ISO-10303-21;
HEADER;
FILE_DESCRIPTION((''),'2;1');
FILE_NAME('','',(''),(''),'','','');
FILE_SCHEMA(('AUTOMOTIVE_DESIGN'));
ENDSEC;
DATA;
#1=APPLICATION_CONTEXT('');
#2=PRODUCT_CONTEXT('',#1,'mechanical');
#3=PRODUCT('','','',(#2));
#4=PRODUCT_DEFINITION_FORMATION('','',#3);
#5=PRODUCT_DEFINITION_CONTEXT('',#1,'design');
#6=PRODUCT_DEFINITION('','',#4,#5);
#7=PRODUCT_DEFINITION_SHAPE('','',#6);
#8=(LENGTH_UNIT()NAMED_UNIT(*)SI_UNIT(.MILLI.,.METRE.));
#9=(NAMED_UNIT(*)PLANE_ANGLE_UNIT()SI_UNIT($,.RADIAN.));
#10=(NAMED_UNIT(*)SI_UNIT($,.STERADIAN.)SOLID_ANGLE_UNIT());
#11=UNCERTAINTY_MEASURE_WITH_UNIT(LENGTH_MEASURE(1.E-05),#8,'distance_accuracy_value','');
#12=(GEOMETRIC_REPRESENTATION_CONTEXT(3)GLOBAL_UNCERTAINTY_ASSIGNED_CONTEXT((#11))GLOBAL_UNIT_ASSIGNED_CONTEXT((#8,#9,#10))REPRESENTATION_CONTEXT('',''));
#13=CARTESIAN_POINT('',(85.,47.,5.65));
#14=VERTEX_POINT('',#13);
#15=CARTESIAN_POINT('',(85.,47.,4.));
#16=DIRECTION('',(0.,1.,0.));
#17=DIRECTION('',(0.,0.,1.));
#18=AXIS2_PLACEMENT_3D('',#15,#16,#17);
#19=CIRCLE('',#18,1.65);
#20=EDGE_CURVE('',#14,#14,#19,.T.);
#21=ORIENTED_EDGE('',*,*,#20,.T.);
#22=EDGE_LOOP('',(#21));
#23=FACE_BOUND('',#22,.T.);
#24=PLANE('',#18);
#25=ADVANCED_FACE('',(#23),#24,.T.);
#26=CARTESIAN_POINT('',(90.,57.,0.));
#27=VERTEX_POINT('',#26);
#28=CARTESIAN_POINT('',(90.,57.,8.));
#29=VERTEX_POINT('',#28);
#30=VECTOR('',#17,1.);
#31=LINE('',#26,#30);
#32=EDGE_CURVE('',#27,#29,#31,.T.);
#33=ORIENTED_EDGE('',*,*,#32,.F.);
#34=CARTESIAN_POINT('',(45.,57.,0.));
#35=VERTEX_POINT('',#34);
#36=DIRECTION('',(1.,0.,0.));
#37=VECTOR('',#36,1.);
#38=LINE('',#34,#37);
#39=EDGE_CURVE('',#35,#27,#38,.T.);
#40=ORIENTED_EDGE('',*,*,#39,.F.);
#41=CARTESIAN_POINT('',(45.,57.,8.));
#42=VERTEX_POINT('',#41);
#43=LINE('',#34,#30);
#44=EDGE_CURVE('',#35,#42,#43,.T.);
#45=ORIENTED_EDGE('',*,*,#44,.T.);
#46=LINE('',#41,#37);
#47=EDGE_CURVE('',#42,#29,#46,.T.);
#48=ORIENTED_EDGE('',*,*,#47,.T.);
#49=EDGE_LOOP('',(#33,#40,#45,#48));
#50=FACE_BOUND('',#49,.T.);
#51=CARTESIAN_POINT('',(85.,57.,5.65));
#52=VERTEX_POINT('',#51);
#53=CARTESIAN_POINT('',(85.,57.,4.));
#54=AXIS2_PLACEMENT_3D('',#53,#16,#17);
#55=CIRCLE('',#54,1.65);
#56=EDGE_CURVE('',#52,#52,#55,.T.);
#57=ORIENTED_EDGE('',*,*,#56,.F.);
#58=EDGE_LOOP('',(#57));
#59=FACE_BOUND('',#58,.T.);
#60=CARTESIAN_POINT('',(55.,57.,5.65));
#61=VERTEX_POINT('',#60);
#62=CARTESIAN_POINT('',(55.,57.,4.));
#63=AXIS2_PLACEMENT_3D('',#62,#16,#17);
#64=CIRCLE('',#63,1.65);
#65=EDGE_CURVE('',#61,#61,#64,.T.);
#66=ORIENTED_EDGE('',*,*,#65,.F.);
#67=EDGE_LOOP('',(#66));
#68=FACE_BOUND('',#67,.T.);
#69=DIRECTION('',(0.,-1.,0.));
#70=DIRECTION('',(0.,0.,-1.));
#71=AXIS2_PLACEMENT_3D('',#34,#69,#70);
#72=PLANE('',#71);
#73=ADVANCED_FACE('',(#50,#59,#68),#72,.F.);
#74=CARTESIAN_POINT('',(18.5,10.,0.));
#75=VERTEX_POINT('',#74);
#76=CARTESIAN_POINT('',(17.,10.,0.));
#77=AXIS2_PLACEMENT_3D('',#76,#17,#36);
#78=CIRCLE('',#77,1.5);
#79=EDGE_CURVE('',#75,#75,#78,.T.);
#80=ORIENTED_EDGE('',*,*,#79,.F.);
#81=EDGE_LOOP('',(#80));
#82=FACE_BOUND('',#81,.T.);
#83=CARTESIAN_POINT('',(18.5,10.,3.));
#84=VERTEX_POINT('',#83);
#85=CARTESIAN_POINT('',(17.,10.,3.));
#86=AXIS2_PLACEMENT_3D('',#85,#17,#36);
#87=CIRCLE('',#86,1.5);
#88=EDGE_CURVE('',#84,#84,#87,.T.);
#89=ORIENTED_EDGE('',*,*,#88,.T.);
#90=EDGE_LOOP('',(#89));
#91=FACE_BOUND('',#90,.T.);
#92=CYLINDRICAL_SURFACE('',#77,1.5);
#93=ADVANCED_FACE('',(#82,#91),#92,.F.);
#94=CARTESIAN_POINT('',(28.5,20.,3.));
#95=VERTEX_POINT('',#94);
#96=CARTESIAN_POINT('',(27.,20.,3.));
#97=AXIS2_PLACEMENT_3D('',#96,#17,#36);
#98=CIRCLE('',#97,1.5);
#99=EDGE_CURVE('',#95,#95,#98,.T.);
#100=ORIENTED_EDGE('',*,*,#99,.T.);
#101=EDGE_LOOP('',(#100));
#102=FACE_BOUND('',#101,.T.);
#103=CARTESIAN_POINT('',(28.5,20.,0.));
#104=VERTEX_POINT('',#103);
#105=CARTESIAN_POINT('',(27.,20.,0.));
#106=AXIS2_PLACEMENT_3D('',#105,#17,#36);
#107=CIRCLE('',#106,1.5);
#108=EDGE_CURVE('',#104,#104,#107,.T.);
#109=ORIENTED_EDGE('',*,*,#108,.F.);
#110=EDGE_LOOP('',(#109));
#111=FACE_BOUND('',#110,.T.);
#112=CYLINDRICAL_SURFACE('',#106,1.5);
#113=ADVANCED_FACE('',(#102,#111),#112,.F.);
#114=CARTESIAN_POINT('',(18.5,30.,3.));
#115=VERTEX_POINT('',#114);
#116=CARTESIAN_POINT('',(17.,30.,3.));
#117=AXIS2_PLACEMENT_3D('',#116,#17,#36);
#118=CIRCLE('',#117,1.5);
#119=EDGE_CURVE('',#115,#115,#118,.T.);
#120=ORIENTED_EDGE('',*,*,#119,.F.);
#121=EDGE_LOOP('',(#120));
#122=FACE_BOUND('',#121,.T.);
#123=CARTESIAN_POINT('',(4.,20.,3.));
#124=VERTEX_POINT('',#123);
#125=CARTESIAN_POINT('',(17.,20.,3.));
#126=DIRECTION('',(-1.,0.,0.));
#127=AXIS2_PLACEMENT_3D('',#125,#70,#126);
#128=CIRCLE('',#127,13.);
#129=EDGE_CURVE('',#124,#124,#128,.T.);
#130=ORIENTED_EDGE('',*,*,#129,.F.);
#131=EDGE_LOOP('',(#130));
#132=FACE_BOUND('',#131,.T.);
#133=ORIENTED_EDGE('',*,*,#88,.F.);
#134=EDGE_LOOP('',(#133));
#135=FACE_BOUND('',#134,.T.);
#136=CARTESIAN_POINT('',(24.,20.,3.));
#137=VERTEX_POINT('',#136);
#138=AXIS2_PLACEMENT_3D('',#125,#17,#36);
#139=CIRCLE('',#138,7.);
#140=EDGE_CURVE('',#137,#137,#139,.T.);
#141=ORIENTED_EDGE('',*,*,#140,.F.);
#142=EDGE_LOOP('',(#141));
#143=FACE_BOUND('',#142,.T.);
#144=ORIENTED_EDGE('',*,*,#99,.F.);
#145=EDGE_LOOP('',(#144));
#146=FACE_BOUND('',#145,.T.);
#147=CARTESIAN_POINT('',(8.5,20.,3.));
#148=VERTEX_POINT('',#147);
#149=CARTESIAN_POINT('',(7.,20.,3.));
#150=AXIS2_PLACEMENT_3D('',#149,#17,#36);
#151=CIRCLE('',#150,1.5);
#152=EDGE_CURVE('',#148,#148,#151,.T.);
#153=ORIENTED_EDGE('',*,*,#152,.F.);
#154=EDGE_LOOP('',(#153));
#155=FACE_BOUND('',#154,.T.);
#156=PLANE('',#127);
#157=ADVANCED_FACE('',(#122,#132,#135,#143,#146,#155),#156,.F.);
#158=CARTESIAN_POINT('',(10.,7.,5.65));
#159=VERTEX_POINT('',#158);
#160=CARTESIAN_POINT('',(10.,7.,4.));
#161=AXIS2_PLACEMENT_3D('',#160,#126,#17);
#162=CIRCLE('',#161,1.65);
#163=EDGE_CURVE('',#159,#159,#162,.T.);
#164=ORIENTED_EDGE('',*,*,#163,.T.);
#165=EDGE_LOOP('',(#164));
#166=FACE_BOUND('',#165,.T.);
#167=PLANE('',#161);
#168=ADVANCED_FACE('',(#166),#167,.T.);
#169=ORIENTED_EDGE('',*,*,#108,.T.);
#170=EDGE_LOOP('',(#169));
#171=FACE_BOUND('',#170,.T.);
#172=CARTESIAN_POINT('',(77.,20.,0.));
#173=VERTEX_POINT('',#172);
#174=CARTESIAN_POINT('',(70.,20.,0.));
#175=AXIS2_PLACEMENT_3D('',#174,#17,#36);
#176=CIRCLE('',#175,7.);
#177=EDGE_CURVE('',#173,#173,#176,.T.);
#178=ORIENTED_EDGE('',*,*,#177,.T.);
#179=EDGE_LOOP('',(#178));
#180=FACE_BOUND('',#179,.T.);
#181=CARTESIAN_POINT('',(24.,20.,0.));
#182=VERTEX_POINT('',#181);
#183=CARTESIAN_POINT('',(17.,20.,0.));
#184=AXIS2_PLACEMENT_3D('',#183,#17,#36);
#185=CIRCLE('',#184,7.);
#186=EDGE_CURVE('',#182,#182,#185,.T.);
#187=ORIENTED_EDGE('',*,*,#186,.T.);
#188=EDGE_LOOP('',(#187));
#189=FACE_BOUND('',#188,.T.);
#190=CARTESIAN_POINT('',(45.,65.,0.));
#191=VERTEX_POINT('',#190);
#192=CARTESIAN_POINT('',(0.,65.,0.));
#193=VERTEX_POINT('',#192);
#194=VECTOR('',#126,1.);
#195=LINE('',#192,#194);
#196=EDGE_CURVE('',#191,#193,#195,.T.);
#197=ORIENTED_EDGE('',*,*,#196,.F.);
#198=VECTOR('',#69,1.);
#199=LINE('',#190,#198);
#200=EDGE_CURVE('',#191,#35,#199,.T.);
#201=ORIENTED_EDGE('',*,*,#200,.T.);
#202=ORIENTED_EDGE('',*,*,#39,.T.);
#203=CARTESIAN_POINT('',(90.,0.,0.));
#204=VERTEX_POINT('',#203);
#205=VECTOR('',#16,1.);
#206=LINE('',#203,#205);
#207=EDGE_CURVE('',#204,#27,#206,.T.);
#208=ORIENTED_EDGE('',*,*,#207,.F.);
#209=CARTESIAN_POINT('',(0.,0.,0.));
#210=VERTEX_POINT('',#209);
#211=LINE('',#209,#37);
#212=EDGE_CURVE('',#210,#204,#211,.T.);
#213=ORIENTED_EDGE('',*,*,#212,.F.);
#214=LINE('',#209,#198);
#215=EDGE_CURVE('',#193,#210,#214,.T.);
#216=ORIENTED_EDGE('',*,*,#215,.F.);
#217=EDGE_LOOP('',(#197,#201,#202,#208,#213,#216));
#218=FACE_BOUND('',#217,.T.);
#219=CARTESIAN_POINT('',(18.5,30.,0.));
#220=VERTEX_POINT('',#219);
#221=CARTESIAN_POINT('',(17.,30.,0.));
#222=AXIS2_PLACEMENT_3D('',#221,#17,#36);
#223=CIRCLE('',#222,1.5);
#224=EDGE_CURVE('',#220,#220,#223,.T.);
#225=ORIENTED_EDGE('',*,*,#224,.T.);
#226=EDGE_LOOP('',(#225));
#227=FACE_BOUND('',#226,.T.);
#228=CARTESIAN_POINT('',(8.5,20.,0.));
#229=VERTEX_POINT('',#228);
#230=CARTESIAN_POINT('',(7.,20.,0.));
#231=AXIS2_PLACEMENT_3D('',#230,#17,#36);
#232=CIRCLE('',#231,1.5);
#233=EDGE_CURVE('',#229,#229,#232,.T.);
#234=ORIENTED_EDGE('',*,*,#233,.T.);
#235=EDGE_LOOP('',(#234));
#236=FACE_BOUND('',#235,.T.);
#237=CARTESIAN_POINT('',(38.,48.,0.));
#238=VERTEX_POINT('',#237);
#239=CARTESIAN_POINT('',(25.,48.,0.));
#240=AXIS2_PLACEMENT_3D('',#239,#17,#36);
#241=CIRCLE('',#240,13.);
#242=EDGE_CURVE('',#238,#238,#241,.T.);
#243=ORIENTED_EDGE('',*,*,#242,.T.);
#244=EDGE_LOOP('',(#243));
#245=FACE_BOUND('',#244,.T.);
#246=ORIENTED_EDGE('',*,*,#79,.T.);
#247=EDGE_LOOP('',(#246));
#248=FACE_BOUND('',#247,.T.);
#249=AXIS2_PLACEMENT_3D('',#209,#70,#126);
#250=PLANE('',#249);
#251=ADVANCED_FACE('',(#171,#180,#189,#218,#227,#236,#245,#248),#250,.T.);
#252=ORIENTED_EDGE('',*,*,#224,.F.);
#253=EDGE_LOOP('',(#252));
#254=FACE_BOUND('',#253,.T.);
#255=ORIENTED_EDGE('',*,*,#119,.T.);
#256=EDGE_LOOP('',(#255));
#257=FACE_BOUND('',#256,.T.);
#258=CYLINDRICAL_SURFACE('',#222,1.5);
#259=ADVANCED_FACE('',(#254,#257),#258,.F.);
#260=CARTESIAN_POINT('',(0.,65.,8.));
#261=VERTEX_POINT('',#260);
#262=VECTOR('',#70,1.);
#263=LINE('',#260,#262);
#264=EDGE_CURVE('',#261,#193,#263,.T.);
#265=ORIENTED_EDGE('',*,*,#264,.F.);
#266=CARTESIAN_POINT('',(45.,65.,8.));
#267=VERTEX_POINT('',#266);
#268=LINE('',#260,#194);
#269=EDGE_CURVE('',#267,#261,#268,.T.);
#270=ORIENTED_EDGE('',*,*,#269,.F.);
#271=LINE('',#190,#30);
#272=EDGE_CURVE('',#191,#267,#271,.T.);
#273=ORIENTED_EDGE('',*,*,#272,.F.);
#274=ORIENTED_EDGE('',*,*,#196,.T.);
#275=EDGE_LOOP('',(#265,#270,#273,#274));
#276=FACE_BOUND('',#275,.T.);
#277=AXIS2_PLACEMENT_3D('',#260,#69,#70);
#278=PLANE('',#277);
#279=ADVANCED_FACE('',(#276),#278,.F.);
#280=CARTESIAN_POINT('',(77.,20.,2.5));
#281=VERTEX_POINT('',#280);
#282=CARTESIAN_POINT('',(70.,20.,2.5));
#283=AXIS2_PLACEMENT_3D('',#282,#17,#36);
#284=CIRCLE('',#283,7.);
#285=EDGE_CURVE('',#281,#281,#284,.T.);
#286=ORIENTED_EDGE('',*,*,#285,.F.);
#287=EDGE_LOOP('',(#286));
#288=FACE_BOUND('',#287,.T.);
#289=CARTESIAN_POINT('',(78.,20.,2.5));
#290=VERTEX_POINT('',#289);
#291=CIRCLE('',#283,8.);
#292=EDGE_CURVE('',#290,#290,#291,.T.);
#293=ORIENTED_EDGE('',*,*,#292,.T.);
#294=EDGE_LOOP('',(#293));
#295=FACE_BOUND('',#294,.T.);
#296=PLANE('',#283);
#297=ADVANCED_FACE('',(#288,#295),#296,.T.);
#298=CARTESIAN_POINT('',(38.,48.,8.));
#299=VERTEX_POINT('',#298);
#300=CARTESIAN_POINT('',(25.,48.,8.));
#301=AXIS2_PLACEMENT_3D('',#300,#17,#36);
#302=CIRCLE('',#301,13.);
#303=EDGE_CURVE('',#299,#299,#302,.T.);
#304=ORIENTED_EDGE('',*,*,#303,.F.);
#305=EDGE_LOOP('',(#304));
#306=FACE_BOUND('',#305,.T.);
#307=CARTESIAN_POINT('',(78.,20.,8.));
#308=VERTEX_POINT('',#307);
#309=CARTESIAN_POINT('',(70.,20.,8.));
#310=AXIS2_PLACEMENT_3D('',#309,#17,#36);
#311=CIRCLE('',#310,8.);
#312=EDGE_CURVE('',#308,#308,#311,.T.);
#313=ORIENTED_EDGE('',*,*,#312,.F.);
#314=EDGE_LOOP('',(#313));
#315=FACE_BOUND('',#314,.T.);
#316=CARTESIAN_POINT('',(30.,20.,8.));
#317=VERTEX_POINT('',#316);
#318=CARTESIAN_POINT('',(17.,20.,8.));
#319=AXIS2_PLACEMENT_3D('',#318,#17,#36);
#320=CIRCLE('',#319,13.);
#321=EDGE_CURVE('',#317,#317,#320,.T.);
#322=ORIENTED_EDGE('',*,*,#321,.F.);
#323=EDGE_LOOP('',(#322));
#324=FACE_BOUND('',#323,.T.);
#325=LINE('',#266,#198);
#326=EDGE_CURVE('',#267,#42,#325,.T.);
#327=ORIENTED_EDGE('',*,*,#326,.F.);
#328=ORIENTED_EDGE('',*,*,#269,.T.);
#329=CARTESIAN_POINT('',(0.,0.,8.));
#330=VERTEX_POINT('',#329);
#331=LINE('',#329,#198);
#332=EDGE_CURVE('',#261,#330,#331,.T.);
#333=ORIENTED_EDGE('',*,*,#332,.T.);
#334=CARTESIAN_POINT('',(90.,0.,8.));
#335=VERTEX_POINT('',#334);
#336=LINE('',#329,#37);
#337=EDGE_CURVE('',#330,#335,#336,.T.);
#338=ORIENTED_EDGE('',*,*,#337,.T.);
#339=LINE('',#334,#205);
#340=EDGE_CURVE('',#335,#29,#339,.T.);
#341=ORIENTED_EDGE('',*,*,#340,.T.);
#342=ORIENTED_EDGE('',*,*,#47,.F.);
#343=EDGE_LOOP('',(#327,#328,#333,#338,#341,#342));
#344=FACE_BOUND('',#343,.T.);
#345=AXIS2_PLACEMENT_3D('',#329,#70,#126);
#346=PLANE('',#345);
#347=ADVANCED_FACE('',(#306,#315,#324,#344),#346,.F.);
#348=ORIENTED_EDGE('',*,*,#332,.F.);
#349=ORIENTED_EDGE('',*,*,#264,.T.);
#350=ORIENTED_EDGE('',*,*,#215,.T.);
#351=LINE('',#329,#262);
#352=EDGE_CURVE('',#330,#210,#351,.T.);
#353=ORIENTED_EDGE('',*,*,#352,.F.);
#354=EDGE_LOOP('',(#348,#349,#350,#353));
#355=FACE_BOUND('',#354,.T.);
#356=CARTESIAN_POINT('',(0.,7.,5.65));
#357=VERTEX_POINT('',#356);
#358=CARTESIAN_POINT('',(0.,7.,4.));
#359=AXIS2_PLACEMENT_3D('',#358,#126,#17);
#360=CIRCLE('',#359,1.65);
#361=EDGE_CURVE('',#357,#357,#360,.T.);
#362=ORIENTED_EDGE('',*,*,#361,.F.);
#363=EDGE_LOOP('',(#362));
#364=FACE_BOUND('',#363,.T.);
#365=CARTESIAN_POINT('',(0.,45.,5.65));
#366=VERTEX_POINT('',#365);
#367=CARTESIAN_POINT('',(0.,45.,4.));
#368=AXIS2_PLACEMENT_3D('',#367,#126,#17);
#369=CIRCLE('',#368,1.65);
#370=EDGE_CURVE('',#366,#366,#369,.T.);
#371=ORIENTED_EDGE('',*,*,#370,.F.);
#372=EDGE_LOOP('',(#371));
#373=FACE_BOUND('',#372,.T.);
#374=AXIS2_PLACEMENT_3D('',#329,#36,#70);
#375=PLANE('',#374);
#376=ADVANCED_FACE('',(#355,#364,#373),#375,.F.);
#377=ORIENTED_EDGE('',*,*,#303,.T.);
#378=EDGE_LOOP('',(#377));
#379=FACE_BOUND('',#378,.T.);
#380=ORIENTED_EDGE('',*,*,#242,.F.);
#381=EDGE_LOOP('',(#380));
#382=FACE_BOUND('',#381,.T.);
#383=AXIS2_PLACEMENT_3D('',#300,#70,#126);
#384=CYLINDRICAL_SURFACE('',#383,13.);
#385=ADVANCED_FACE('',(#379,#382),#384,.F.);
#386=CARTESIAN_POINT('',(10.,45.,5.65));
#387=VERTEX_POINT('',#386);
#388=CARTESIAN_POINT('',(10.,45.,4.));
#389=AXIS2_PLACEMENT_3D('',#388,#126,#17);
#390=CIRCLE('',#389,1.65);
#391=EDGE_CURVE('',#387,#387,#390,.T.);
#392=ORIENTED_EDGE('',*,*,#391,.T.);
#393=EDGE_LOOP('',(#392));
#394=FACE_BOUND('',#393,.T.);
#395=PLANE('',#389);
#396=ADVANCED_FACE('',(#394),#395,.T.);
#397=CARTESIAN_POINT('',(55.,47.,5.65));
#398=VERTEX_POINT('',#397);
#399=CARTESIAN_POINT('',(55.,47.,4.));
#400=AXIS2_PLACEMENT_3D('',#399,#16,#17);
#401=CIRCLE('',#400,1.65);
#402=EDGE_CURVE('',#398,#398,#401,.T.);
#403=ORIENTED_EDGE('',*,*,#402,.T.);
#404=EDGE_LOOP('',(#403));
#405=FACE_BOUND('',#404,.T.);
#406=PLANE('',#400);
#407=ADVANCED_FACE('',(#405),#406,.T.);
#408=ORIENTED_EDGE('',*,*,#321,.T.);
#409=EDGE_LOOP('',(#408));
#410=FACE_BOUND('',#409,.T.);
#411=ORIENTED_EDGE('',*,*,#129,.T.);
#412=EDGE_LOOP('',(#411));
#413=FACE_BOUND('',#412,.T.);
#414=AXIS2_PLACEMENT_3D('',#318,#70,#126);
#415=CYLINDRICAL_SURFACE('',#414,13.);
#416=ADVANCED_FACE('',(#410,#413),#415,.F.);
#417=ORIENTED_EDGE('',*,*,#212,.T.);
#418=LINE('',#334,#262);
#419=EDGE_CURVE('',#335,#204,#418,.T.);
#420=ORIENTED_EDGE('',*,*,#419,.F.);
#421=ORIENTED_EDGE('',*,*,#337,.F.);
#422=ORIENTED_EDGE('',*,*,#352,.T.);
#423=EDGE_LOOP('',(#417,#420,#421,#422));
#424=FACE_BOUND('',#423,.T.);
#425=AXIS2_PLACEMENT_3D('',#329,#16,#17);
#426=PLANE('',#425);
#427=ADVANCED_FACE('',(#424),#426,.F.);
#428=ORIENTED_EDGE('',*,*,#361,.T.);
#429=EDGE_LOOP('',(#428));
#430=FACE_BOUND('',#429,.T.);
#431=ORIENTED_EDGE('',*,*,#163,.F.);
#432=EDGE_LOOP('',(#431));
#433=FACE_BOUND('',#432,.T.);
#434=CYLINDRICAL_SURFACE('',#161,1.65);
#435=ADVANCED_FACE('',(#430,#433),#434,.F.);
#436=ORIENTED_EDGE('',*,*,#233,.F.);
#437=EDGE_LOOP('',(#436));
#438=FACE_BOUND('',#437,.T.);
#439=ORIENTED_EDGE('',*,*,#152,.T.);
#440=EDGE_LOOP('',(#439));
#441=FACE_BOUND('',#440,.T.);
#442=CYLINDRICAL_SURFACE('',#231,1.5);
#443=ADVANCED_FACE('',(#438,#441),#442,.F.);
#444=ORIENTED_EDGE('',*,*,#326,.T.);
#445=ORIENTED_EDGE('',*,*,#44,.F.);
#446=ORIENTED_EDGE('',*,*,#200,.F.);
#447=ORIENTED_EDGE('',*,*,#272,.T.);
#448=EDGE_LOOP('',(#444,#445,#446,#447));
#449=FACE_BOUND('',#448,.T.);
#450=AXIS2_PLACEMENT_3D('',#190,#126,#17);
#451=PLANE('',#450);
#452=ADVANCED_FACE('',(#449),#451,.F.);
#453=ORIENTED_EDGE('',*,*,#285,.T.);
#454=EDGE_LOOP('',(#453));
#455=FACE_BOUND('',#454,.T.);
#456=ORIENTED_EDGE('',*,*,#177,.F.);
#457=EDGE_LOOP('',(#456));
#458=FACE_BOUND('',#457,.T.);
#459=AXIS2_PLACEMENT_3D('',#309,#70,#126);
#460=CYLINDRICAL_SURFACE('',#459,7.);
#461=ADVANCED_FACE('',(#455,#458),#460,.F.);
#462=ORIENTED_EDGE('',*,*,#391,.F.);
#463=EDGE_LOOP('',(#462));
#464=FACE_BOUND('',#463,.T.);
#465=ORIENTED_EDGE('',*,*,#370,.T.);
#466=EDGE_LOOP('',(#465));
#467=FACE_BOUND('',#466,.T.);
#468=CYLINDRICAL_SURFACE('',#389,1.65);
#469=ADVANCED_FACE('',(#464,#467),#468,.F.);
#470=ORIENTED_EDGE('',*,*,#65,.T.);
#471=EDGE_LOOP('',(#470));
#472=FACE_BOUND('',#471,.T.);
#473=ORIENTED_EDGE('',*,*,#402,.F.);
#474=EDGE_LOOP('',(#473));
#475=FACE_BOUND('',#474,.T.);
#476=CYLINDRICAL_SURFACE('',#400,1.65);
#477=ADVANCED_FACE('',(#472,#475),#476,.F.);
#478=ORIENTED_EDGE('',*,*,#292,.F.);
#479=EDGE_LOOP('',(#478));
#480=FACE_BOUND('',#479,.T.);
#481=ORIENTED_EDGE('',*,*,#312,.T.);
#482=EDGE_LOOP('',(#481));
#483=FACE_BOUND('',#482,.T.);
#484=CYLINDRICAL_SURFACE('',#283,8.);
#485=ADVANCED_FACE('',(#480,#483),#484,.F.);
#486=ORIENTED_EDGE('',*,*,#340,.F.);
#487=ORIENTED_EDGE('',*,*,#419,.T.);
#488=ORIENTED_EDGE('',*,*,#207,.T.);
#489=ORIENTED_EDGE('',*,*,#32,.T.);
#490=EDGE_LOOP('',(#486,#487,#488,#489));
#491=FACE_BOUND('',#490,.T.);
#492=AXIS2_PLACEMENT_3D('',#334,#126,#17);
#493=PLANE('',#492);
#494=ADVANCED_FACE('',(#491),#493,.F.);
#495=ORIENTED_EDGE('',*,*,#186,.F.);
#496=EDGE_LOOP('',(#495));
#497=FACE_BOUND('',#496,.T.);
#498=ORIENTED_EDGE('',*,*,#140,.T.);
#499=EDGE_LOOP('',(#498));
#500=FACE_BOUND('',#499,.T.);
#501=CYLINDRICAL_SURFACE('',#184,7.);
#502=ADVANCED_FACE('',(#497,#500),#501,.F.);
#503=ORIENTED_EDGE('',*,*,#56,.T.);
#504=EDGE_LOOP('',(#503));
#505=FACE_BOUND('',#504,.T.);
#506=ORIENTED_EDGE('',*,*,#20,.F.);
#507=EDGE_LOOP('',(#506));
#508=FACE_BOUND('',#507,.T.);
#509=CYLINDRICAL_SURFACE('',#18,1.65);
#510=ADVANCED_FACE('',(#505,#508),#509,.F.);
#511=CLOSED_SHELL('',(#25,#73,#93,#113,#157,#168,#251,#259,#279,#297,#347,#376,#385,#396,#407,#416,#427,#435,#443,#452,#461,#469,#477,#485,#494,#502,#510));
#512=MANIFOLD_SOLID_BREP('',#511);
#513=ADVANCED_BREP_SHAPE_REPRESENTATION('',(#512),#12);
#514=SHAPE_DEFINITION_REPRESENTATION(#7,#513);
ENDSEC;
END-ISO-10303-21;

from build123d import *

# Parameters (mm, degrees)
ESQUISSE1_W             = 90
ESQUISSE1_H             = 65
ESQUISSE1_R             = 7
ESQUISSE1_R_2           = 13
BOSS_EXTRU_1_DEPTH      = 8
ESQUISSE2_R             = 13
BOSS_EXTRU_2_DEPTH      = 3
ESQUISSE3_R             = 7
ESQUISSE3_R_2           = 1.5
ENL_V_MAT_EXTRU_1_DEPTH = 4
ESQUISSE4_R             = 8
ENL_V_MAT_EXTRU_2_DEPTH = 5.5
ESQUISSE5_W             = 45
ESQUISSE5_H             = 8
ENL_V_MAT_EXTRU_3_DEPTH = 9
ESQUISSE6_R             = 1.65
ENL_V_MAT_EXTRU_4_DEPTH = 10
ESQUISSE7_R             = 1.65
ENL_V_MAT_EXTRU_5_DEPTH = 10


with BuildPart() as part:
    # Esquisse1 → Boss.-Extru.1 (new body)
    with BuildSketch(Plane.XY):
        with Locations((45, 32.5)):
            Rectangle(ESQUISSE1_W, ESQUISSE1_H)
        with Locations((70, 20)):
            Circle(ESQUISSE1_R, mode=Mode.SUBTRACT)
        with Locations((17, 20)):
            Circle(ESQUISSE1_R_2, mode=Mode.SUBTRACT)
        with Locations((25, 48)):
            Circle(ESQUISSE1_R_2, mode=Mode.SUBTRACT)
    extrude(amount=BOSS_EXTRU_1_DEPTH)

    # Esquisse2 → Boss.-Extru.2 (add)
    with BuildSketch(Plane(origin=(0, 0, 0), x_dir=(-1, 0, 0), z_dir=(0, 0, -1))):
        with Locations((-17, 20)):
            Circle(ESQUISSE2_R)
    extrude(amount=-BOSS_EXTRU_2_DEPTH)

    # Esquisse3 → Enlèv. mat.-Extru.1 (cut, through all)
    with BuildSketch(Plane.XY.offset(3)):
        with Locations((17, 20)):
            Circle(ESQUISSE3_R)
        with Locations((27, 20)):
            Circle(ESQUISSE3_R_2)
        with Locations((17, 10)):
            Circle(ESQUISSE3_R_2)
        with Locations((7, 20)):
            Circle(ESQUISSE3_R_2)
        with Locations((17, 30)):
            Circle(ESQUISSE3_R_2)
    extrude(amount=-ENL_V_MAT_EXTRU_1_DEPTH, mode=Mode.SUBTRACT)

    # Esquisse4 → Enlèv. mat.-Extru.2 (cut)
    with BuildSketch(Plane.XY.offset(8)):
        with Locations((70, 20)):
            Circle(ESQUISSE4_R)
    extrude(amount=-ENL_V_MAT_EXTRU_2_DEPTH, mode=Mode.SUBTRACT)

    # Esquisse5 → Enlèv. mat.-Extru.3 (cut, through all)
    with BuildSketch(Plane.XY.offset(8)):
        with Locations((67.5, 61)):
            Rectangle(ESQUISSE5_W, ESQUISSE5_H)
    extrude(amount=-ENL_V_MAT_EXTRU_3_DEPTH, mode=Mode.SUBTRACT)

    # Esquisse6 → Enlèv. mat.-Extru.4 (cut)
    with BuildSketch(Plane.ZY):
        with Locations((4, 7)):
            Circle(ESQUISSE6_R)
        with Locations((4, 45)):
            Circle(ESQUISSE6_R)
    extrude(amount=-ENL_V_MAT_EXTRU_4_DEPTH, mode=Mode.SUBTRACT)

    # Esquisse7 → Enlèv. mat.-Extru.5 (cut)
    with BuildSketch(Plane(origin=(0, 57, 0), x_dir=(1, 0, 0), z_dir=(0, 1, 0))):
        with Locations((85, -4)):
            Circle(ESQUISSE7_R)
        with Locations((55, -4)):
            Circle(ESQUISSE7_R)
    extrude(amount=-ENL_V_MAT_EXTRU_5_DEPTH, mode=Mode.SUBTRACT)


solid = part.part
